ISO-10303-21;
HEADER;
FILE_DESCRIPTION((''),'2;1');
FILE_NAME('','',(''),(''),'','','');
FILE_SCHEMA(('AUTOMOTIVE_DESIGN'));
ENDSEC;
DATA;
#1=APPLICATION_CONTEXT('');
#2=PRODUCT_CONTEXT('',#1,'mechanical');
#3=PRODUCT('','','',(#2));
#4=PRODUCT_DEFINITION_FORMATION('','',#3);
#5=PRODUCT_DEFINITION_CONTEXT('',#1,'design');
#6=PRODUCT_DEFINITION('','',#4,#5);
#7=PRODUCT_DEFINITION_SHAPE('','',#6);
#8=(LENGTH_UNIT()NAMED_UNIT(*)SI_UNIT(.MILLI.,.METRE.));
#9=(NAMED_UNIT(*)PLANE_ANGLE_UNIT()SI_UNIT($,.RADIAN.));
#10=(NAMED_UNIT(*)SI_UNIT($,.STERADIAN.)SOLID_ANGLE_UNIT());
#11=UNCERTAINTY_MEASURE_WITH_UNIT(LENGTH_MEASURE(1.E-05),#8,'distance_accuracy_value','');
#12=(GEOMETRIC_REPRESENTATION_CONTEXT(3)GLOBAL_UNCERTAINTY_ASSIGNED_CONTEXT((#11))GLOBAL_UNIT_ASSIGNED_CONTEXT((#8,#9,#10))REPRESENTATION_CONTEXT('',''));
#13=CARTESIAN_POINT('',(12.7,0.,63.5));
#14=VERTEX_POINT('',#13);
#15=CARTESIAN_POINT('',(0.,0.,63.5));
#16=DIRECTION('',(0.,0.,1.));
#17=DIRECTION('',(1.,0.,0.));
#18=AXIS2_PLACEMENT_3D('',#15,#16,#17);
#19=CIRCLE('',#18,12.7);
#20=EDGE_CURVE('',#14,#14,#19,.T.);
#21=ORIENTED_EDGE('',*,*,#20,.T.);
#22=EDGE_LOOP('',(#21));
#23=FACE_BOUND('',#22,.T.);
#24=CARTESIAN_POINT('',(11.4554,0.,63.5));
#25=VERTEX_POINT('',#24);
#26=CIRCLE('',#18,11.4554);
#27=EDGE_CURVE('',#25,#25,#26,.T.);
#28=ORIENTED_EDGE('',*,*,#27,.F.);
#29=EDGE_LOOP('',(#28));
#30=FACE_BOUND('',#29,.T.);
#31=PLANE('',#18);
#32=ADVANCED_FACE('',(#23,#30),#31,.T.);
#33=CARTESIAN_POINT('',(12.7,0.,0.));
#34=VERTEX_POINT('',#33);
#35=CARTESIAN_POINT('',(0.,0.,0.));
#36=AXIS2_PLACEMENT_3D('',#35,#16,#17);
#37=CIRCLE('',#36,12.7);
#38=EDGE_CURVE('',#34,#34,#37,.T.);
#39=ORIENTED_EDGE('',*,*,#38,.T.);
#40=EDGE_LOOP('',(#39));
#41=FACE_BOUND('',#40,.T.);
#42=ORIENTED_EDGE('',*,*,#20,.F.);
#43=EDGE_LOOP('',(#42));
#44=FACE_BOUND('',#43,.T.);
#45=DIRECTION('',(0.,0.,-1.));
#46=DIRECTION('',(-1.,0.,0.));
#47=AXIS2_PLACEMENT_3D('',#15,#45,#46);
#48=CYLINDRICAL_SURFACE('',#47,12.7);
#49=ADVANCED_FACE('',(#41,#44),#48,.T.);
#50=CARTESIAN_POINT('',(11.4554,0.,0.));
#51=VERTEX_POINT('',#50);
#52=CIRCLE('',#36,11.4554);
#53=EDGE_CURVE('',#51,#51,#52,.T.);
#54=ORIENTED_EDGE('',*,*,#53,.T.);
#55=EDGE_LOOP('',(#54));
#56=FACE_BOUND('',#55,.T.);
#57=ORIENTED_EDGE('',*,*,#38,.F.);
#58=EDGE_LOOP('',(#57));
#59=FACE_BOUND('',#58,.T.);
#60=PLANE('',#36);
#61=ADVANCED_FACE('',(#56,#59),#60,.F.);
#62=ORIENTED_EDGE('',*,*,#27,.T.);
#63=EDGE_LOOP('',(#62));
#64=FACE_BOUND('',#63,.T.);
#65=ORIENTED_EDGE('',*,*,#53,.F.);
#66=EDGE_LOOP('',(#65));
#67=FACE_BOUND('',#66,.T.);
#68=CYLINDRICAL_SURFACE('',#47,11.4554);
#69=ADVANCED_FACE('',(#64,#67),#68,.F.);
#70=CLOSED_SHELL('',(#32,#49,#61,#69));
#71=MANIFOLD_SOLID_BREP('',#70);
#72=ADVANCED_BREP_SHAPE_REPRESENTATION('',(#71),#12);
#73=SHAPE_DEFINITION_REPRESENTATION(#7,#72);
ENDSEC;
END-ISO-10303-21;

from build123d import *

# Parameters (mm, degrees)
PROFILE_SKETCH_R      = 12.7
PROFILE_SKETCH_R_2    = 11.4554
PROFILE_EXTRUDE_DEPTH = 63.5


with BuildPart() as part:
    # Profile Sketch → Profile Extrude (new body)
    with BuildSketch(Plane.XY):
        Circle(PROFILE_SKETCH_R)
        Circle(PROFILE_SKETCH_R_2, mode=Mode.SUBTRACT)
    extrude(amount=PROFILE_EXTRUDE_DEPTH)


solid = part.part
